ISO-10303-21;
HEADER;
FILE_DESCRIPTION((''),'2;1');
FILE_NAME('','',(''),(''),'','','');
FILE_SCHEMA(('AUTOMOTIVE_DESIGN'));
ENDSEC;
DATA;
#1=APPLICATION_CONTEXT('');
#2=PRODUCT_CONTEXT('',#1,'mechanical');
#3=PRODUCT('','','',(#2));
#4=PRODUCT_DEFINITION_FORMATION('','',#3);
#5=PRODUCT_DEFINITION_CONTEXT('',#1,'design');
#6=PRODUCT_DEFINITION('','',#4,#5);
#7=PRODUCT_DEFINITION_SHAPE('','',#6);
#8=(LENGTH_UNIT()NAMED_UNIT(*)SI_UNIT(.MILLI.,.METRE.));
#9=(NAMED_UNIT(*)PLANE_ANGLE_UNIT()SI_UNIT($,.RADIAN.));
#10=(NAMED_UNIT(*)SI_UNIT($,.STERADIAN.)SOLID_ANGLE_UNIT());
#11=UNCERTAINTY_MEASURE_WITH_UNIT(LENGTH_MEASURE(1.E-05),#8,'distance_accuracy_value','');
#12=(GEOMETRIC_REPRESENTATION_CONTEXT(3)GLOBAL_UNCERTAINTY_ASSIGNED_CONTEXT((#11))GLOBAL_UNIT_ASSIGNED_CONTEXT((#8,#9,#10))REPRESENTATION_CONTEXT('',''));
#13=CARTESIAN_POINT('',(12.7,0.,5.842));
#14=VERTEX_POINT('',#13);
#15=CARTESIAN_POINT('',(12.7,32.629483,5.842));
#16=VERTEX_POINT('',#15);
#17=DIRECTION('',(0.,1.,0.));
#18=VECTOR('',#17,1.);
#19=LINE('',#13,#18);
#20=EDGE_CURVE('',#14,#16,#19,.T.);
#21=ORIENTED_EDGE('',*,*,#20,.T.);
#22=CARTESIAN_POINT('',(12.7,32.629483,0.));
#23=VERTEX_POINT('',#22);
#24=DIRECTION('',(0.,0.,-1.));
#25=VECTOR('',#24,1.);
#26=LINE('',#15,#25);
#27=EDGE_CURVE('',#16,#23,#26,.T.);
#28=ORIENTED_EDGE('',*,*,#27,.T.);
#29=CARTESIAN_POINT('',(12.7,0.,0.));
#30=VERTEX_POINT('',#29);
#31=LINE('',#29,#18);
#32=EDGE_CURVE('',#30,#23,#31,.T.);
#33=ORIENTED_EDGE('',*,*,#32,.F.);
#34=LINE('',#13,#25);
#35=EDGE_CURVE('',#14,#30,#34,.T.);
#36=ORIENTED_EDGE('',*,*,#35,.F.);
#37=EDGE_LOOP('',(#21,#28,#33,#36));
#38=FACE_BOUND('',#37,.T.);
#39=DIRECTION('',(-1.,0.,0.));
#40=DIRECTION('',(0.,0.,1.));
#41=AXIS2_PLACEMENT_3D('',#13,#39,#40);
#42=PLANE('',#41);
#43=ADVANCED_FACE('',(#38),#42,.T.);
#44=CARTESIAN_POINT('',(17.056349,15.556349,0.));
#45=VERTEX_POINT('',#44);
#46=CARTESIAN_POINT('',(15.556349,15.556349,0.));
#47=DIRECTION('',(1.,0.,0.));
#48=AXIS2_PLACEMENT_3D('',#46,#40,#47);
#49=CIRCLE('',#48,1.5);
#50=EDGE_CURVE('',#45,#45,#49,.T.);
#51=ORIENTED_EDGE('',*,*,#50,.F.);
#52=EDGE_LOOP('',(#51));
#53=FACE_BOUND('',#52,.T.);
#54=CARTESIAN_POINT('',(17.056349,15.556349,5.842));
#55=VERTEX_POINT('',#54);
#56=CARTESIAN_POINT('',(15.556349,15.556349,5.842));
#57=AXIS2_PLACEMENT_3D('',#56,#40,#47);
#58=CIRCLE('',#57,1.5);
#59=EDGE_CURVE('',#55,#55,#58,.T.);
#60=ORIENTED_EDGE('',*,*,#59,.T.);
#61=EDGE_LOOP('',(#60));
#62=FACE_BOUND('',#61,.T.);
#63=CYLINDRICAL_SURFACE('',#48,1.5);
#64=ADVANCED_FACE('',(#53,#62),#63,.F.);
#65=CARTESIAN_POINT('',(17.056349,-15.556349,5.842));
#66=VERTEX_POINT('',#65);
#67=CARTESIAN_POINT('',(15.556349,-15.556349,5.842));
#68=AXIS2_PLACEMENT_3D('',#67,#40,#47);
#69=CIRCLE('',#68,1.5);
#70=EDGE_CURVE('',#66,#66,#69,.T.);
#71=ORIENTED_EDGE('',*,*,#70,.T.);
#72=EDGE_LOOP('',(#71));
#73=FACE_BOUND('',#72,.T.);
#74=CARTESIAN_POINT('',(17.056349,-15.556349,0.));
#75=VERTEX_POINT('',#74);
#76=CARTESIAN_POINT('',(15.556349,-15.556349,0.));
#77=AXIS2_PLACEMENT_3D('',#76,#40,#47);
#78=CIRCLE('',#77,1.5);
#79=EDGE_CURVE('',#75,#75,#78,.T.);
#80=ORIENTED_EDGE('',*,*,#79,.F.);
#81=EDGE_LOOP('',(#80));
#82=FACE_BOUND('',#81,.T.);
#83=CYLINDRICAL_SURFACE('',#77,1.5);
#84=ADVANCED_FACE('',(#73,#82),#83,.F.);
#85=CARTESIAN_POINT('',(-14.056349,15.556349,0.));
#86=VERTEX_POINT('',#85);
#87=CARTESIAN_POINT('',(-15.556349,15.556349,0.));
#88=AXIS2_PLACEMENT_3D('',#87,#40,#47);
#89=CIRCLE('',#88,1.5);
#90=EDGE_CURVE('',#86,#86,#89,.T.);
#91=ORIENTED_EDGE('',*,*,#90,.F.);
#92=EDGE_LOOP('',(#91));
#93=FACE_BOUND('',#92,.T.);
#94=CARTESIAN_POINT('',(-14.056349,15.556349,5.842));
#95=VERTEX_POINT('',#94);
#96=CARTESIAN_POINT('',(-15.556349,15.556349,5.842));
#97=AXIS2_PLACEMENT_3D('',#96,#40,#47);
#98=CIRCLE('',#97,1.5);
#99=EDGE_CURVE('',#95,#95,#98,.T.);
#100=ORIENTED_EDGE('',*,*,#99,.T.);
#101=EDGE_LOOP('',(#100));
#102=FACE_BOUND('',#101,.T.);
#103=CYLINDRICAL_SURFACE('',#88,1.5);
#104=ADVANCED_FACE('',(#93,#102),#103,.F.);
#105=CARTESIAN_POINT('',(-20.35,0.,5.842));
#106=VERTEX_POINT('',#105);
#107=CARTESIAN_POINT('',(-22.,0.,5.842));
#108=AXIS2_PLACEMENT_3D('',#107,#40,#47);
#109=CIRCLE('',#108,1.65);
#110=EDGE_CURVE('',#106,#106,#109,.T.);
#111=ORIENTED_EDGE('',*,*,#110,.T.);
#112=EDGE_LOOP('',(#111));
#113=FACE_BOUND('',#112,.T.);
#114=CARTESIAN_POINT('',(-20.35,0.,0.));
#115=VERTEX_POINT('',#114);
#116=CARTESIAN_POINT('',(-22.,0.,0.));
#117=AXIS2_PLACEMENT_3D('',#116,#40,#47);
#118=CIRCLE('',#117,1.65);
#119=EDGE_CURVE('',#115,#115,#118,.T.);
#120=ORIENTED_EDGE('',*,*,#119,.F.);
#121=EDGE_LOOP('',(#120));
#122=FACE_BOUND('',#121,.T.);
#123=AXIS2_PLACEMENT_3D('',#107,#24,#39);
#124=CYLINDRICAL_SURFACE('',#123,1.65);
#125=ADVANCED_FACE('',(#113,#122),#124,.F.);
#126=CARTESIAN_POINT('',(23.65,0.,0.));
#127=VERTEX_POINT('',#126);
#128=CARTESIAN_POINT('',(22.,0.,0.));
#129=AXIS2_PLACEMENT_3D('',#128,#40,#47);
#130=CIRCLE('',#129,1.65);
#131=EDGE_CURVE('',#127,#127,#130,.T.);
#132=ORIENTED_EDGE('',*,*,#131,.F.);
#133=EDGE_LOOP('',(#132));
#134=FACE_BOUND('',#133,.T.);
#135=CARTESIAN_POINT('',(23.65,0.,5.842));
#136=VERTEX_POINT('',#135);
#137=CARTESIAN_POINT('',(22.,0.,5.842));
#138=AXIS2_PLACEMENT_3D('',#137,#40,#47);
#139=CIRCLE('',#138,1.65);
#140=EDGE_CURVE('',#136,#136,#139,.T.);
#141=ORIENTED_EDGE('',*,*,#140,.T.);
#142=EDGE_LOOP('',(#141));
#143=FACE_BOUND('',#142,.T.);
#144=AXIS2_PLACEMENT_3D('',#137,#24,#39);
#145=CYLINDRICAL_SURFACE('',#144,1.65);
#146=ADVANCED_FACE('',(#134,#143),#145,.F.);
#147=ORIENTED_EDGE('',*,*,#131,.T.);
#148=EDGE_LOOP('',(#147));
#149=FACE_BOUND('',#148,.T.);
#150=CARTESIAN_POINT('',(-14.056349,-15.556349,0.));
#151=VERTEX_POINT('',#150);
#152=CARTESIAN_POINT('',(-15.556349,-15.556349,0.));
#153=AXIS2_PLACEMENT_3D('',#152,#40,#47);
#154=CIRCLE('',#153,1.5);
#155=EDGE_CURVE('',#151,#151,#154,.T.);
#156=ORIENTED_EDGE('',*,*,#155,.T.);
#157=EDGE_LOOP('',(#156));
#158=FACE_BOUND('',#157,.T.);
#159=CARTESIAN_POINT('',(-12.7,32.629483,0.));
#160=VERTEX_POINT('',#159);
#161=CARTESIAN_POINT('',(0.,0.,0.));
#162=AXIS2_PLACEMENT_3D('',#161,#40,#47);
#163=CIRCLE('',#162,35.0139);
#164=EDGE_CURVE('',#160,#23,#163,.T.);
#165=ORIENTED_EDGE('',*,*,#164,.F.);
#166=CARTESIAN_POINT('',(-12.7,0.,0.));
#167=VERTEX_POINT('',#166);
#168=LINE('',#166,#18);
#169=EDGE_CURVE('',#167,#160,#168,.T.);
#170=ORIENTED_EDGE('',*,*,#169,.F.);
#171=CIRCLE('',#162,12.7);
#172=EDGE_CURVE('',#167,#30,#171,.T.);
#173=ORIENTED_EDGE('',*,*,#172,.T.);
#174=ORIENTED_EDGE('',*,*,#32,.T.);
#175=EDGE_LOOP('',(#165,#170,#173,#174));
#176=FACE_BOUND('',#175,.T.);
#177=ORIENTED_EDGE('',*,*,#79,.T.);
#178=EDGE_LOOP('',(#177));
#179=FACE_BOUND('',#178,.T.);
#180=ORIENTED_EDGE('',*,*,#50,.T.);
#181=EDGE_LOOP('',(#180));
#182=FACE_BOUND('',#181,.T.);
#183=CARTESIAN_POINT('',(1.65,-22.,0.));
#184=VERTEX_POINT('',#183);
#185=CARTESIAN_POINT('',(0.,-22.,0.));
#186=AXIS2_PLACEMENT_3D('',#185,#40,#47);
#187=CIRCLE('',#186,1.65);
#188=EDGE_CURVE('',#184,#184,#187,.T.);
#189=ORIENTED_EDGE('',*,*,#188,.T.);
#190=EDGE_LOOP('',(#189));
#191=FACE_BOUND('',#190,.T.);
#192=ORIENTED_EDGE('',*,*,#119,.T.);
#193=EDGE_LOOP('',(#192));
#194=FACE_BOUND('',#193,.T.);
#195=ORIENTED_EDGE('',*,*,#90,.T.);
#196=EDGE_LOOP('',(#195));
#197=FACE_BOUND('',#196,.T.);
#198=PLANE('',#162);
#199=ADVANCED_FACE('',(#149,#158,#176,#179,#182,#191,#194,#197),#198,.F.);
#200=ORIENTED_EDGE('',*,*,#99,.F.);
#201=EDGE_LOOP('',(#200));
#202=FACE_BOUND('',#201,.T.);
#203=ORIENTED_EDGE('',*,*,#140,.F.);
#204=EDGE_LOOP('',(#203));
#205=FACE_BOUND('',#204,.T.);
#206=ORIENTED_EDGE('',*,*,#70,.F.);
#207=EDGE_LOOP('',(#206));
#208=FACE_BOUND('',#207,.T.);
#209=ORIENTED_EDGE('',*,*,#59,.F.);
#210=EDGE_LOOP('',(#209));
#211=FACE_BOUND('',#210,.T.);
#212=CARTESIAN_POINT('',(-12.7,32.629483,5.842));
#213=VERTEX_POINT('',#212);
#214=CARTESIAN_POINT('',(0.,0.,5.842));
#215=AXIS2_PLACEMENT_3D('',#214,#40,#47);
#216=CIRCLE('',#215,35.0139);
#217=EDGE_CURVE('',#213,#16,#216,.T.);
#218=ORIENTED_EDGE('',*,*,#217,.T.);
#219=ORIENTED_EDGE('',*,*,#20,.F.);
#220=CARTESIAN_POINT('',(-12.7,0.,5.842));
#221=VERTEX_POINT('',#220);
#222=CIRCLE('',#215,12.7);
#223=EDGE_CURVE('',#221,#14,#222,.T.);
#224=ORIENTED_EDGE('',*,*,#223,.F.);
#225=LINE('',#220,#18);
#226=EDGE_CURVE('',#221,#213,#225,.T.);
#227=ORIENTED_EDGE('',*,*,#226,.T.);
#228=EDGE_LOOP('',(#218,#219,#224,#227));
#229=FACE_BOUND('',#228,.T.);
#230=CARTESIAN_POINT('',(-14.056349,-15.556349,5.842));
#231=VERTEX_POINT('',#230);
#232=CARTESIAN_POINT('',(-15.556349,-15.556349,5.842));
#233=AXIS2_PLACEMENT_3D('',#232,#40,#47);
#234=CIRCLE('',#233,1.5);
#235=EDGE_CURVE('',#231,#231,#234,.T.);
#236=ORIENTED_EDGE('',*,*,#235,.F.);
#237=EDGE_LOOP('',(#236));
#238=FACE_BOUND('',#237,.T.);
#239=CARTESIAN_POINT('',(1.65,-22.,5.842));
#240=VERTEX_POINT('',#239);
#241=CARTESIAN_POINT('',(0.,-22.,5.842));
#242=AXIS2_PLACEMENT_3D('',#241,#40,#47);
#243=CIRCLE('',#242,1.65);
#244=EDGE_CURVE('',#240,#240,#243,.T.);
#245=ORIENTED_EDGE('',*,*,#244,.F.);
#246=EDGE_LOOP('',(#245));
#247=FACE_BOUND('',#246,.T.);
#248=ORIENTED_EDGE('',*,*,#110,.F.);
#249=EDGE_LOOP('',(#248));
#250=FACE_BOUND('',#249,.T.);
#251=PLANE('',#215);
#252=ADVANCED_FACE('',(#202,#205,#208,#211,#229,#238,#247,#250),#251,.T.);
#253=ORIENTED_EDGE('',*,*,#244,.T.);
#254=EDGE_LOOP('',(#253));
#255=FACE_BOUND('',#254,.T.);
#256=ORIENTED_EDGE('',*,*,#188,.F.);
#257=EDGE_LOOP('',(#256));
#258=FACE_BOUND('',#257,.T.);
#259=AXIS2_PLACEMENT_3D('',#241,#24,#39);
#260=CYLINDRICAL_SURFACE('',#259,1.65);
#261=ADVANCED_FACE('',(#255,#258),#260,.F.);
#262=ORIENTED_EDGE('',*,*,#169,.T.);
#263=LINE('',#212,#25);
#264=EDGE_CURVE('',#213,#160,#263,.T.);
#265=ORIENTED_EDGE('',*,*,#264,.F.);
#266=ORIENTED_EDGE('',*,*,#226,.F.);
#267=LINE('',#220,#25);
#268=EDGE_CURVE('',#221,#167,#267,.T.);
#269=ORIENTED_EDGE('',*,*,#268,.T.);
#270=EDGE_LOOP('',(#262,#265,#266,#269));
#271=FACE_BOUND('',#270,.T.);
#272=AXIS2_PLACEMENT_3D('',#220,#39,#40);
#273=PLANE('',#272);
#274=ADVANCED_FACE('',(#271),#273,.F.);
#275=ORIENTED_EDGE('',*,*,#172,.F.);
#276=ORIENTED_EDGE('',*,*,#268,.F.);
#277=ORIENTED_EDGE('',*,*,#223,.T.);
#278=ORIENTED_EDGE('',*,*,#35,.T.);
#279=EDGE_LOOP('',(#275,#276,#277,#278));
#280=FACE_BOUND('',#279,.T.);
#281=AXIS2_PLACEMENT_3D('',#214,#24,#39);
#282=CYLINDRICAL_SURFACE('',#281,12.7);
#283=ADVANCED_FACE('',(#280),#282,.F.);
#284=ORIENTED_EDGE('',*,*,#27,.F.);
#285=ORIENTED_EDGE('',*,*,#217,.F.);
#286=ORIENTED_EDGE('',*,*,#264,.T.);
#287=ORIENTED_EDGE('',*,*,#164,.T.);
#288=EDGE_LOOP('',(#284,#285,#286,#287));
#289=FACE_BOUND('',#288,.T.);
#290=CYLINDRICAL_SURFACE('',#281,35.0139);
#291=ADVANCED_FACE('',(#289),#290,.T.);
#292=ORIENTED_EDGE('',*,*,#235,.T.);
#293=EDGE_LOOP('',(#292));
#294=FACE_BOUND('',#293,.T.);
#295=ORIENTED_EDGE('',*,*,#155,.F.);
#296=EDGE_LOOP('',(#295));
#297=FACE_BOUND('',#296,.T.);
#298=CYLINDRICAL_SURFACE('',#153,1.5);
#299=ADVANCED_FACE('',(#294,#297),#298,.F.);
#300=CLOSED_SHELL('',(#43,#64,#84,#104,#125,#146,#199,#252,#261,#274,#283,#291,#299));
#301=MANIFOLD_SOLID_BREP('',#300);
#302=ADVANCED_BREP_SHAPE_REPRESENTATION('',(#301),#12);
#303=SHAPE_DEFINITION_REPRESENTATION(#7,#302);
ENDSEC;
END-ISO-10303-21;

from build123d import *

# Parameters (mm, degrees)
SKETCH1_R           = 1.65
BOSS_EXTRUDE1_DEPTH = 5.842
SKETCH2_R           = 1.5
CUT_EXTRUDE1_DEPTH  = 50.860559066


with BuildPart() as part:
    # Sketch1 → Boss-Extrude1 (new body)
    with BuildSketch(Plane.XY):
        with BuildLine():
            Line((-12.7, 0), (-12.7, 32.629483496))
            ThreePointArc((-12.7, 32.629483496), (0, -35.0139), (12.7, 32.629483496))
            Line((12.7, 32.629483496), (12.7, 0))
            ThreePointArc((12.7, 0), (0, -12.7), (-12.7, 0))
        make_face()
        with Locations((22, 0)):
            Circle(SKETCH1_R, mode=Mode.SUBTRACT)
        with Locations((0, -22)):
            Circle(SKETCH1_R, mode=Mode.SUBTRACT)
        with Locations((-22, 0)):
            Circle(SKETCH1_R, mode=Mode.SUBTRACT)
    extrude(amount=BOSS_EXTRUDE1_DEPTH)

    # Sketch2 → Cut-Extrude1 (cut, through all)
    with BuildSketch(Plane.XY.offset(5.842)):
        with Locations((-15.556349186, -15.556349186)):
            Circle(SKETCH2_R)
        with Locations((-15.556349186, 15.556349186)):
            Circle(SKETCH2_R)
        with Locations((15.556349186, 15.556349186)):
            Circle(SKETCH2_R)
        with Locations((15.556349186, -15.556349186)):
            Circle(SKETCH2_R)
    extrude(amount=-CUT_EXTRUDE1_DEPTH, mode=Mode.SUBTRACT)


solid = part.part
